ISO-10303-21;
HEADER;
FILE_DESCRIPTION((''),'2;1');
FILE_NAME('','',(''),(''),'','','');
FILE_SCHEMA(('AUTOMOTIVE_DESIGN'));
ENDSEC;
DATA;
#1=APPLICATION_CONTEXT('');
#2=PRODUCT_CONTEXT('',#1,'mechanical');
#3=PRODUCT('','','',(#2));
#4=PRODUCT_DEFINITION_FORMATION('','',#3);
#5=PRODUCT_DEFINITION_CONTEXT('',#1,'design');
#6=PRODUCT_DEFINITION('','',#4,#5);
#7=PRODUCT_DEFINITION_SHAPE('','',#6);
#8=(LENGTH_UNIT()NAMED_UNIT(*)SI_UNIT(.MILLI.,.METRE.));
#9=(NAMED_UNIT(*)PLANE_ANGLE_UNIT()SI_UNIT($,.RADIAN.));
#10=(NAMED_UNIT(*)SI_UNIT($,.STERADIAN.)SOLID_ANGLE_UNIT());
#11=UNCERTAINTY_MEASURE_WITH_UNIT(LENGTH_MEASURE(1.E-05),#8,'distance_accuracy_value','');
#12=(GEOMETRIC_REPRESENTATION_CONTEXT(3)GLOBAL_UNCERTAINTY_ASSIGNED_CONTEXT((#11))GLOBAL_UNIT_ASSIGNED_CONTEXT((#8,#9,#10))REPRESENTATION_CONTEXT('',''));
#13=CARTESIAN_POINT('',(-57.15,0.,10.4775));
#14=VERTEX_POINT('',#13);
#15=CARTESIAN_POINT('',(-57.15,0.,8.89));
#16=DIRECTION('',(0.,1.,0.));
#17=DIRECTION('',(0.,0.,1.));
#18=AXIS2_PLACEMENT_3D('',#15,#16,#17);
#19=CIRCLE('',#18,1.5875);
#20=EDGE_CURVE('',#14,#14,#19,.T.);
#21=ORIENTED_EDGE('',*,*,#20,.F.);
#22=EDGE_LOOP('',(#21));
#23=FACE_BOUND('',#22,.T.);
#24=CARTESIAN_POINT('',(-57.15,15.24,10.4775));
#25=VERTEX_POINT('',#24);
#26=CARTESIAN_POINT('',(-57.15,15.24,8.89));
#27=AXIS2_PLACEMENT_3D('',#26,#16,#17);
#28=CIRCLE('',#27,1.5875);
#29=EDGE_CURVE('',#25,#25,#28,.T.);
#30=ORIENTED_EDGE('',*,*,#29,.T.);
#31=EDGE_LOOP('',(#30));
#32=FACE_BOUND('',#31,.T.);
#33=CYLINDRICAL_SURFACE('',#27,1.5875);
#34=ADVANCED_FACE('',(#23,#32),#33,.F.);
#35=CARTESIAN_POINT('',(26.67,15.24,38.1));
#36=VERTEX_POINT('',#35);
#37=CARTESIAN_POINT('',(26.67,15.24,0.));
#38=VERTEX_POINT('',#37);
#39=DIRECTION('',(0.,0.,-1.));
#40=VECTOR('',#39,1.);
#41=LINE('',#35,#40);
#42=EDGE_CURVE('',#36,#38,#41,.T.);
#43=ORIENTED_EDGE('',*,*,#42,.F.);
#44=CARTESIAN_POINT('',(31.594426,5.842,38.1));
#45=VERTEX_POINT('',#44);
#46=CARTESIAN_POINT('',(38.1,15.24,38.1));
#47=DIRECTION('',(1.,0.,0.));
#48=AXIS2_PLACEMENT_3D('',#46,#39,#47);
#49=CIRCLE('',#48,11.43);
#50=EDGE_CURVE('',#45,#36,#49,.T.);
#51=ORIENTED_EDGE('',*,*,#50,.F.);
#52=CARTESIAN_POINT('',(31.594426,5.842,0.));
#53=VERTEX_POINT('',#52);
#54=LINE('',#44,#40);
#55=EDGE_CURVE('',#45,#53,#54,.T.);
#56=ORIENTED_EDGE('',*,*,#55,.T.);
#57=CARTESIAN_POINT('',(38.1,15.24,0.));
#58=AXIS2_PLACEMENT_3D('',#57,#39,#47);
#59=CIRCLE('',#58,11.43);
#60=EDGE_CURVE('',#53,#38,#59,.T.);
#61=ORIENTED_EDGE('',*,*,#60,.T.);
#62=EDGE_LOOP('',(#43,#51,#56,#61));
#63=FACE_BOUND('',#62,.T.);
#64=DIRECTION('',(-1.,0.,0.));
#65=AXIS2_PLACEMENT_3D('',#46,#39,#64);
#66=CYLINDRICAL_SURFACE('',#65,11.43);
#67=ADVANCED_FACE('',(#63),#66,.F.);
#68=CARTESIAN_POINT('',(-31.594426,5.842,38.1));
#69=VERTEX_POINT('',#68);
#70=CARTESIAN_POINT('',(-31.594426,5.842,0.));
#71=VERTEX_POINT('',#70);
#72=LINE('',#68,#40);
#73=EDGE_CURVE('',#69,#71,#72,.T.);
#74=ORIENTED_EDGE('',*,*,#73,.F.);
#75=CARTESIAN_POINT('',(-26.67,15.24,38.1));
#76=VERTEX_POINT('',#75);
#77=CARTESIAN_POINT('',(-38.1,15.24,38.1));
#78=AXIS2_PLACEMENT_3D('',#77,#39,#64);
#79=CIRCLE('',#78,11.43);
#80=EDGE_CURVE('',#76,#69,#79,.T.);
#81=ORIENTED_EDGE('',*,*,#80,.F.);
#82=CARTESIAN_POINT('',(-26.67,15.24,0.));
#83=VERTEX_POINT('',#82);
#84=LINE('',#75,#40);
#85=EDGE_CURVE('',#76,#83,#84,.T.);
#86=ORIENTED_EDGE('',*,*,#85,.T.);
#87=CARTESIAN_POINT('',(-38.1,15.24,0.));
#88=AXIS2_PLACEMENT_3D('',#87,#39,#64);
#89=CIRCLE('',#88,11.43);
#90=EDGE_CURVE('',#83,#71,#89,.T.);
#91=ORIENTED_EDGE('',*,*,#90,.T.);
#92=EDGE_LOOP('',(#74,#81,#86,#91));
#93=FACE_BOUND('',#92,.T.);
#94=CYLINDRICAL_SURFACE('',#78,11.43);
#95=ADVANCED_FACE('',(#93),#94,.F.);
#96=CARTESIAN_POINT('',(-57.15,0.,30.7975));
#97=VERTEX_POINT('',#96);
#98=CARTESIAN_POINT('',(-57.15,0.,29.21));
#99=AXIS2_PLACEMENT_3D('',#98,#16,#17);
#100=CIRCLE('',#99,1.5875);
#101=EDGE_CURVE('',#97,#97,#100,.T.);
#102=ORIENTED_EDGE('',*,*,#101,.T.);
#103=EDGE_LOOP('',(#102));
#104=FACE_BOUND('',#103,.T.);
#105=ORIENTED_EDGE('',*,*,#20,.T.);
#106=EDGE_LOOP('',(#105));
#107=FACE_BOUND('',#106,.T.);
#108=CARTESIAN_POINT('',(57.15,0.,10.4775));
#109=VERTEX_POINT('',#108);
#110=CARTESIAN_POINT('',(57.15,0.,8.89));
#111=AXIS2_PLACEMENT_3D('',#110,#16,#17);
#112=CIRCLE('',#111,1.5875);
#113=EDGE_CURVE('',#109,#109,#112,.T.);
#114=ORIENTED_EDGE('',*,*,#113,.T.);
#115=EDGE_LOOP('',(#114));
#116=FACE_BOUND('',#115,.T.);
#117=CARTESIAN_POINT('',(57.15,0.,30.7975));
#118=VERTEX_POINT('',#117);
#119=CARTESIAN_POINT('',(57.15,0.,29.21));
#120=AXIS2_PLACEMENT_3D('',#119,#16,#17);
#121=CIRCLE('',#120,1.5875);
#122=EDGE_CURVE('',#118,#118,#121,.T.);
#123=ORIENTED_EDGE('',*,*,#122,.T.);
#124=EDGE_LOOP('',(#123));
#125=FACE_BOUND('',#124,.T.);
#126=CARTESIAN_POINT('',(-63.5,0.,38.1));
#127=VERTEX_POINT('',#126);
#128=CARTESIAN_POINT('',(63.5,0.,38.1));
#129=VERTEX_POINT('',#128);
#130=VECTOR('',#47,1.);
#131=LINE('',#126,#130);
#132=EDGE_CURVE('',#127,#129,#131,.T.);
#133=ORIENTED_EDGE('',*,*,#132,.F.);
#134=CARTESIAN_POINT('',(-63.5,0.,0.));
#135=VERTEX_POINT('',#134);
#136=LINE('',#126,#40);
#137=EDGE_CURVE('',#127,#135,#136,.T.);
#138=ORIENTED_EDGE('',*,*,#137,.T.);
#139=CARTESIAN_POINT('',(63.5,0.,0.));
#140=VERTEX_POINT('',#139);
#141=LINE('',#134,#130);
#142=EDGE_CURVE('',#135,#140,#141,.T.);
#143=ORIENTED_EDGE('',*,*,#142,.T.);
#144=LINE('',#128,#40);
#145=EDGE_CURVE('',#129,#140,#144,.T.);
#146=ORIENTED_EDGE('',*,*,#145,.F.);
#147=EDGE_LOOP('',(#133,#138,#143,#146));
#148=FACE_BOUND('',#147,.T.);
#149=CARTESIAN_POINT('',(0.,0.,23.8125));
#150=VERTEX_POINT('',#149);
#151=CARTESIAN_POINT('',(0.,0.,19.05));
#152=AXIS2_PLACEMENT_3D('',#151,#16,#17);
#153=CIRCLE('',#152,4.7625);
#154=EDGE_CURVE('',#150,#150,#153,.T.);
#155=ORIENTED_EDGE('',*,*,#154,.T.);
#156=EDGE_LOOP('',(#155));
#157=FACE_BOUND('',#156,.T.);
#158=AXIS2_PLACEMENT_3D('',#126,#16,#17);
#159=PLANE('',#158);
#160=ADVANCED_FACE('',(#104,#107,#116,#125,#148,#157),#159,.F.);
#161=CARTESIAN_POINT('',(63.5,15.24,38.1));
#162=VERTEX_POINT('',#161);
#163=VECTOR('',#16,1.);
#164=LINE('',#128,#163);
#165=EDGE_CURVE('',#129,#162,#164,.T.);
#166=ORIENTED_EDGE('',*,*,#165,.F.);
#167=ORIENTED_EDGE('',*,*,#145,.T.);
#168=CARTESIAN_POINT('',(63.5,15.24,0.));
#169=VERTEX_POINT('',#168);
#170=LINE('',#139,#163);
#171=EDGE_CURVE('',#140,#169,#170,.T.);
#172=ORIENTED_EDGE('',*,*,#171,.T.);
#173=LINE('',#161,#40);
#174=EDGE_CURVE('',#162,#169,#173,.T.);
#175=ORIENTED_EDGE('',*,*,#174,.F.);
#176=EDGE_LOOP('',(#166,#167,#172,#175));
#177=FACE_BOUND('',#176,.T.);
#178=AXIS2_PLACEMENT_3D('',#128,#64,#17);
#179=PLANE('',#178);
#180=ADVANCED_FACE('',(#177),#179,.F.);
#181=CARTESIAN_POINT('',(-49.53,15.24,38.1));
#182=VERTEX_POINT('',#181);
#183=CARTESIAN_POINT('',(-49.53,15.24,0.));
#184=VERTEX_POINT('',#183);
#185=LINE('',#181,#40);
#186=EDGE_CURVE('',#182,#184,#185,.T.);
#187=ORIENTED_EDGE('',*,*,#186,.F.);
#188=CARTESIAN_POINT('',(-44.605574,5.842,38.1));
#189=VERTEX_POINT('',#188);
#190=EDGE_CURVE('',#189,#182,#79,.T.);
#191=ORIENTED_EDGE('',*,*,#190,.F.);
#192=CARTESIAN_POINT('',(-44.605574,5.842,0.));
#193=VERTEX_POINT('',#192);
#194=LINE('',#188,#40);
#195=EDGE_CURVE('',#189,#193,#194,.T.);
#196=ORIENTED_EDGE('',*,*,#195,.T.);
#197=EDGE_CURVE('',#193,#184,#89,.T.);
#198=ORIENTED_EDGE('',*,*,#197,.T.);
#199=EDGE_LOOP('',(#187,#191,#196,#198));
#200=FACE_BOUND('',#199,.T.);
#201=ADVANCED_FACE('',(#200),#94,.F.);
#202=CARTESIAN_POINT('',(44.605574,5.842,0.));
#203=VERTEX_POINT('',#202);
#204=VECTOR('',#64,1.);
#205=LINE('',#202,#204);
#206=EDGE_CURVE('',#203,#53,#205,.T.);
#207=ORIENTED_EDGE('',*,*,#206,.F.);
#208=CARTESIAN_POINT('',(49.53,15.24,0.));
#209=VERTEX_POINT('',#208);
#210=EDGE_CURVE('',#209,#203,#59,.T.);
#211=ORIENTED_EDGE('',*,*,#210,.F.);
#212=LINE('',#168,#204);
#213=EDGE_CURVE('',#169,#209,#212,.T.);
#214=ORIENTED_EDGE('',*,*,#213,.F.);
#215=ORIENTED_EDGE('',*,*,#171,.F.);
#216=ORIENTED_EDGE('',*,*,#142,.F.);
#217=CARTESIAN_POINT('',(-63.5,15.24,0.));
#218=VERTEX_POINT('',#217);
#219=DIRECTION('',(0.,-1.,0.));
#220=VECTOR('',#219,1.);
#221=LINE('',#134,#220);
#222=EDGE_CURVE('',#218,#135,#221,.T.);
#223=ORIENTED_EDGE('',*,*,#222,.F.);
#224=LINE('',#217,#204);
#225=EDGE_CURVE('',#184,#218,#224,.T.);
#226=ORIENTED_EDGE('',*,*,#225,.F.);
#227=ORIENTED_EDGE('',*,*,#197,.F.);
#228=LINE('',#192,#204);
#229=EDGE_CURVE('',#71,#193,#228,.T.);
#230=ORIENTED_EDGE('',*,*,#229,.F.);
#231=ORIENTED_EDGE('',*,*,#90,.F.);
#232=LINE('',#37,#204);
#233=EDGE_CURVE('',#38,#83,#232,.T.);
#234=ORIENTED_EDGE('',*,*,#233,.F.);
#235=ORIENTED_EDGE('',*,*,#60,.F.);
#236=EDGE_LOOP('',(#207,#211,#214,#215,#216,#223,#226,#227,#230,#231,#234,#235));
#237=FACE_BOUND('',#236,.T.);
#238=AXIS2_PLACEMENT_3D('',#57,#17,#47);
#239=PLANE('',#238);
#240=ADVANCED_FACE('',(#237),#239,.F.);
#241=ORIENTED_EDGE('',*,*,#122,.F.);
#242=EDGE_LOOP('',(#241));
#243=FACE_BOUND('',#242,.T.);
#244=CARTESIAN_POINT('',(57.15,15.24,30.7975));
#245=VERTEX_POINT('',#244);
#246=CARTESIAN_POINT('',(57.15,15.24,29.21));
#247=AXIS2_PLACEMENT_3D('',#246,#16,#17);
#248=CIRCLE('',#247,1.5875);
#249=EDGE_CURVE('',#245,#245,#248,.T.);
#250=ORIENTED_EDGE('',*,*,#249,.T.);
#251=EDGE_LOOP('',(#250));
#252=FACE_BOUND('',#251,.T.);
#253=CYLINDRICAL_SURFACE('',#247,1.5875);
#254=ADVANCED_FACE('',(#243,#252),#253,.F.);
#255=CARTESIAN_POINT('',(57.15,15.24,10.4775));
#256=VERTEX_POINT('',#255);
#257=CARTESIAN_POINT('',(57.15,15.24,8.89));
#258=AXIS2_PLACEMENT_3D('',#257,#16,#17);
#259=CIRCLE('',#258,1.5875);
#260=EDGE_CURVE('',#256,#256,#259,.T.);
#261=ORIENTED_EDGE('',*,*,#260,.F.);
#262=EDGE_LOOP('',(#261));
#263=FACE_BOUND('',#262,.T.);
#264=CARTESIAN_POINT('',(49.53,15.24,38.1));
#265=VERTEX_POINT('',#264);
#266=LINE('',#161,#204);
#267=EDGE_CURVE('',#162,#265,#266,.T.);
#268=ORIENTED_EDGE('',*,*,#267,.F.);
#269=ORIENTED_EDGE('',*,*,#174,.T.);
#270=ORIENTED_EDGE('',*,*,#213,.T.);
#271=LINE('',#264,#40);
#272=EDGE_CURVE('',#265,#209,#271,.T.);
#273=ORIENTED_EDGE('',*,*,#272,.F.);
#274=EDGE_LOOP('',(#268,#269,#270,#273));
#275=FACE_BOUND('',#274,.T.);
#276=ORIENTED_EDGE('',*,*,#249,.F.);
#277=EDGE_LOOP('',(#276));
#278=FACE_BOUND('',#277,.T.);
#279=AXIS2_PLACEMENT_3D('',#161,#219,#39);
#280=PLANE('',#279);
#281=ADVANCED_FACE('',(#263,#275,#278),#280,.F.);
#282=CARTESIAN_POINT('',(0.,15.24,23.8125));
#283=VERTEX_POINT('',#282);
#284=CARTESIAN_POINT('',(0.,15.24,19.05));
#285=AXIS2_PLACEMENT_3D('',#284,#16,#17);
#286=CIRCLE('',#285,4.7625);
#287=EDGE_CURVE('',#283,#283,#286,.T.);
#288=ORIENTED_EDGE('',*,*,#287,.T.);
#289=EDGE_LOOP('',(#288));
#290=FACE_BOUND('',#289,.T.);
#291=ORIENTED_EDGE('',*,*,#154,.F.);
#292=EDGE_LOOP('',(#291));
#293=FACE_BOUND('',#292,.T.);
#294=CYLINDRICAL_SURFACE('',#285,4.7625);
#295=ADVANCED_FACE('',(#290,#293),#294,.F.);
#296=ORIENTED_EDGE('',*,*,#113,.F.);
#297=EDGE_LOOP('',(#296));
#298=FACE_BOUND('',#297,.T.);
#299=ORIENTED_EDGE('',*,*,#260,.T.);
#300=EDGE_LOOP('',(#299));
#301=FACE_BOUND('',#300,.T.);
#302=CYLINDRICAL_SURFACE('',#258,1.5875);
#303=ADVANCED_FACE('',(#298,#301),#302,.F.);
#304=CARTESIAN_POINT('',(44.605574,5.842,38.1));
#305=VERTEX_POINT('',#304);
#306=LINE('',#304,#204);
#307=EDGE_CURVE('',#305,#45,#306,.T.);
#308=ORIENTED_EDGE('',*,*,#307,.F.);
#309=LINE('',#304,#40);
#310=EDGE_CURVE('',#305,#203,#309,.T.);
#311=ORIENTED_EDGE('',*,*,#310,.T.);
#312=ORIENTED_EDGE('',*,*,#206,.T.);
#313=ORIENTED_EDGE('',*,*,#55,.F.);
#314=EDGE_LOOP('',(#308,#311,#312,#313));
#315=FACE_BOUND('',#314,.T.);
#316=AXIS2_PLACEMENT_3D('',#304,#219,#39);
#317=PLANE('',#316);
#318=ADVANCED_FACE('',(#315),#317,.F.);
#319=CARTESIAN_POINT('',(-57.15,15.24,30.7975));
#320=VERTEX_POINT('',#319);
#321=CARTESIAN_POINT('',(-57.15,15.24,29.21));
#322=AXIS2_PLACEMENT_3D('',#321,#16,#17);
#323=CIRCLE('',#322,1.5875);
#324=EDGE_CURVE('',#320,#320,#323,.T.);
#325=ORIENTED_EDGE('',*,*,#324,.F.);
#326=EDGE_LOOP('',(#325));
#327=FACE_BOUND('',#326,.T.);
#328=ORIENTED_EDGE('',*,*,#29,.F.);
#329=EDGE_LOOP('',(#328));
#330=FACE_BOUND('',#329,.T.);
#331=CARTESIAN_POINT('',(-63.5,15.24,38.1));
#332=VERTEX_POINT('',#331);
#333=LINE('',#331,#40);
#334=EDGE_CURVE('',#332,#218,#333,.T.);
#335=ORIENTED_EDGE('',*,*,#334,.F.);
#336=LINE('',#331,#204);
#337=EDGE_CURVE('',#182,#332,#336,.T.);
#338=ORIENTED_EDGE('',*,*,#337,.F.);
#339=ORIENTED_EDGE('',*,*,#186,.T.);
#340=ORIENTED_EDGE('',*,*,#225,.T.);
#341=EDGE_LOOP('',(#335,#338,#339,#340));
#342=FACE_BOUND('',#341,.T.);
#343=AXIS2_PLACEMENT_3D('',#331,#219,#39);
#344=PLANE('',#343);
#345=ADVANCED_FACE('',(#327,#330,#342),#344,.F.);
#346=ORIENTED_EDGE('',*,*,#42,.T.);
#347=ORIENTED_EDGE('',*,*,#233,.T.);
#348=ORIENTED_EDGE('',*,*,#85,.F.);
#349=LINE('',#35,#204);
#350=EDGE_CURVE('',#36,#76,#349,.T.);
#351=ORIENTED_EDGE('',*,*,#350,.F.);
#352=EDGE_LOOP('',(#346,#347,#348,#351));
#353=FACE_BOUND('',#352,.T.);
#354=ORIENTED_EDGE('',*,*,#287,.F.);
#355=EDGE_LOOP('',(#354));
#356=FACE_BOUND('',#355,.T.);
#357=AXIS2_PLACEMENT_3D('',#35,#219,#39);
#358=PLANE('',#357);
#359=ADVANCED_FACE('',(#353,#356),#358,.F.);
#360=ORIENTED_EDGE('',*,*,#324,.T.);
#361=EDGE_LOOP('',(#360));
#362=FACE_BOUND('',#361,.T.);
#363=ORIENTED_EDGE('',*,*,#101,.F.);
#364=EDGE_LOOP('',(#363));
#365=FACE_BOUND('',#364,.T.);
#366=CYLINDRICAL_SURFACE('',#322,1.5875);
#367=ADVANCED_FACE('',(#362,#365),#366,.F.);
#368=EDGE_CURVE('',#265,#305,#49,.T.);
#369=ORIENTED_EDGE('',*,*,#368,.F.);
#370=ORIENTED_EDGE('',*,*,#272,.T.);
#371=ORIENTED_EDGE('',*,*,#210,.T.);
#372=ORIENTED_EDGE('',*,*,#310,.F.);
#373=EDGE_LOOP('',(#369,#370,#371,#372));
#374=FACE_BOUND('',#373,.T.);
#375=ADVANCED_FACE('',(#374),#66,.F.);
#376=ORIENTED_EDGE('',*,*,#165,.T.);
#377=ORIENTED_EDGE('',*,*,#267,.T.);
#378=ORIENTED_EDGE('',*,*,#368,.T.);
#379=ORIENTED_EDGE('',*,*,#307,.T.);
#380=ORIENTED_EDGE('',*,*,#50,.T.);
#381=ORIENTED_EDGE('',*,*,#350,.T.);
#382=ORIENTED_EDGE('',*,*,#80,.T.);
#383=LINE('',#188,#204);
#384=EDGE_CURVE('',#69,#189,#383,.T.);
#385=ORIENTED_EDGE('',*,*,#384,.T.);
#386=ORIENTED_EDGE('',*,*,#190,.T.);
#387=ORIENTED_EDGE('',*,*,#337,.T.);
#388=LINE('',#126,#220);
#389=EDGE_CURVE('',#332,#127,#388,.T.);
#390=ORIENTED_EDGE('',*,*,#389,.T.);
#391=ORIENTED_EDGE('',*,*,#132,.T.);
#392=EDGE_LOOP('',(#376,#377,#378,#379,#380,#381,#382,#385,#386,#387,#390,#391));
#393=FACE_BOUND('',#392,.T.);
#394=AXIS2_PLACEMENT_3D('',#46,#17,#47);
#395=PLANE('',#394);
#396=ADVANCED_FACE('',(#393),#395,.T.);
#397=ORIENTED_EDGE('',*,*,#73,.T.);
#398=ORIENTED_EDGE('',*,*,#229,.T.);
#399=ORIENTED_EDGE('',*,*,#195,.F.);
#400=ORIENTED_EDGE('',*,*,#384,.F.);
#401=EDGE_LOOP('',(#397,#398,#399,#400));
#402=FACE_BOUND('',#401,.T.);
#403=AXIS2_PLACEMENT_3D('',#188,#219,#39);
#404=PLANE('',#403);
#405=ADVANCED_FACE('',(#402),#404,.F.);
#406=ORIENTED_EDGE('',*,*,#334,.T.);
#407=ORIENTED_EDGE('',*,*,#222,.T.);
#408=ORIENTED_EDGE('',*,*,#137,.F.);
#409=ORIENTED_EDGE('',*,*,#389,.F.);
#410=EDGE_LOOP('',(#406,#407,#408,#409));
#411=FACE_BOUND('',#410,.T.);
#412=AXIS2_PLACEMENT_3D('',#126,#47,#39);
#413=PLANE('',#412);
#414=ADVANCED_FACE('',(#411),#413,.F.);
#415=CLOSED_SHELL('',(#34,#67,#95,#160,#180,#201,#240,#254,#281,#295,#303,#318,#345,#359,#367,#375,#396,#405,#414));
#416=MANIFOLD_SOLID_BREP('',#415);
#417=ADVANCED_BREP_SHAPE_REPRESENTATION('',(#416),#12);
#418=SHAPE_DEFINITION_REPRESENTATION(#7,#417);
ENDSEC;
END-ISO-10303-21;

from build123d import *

# Parameters (mm, degrees)
BOSS_EXTRUDE1_DEPTH  = 38.1
HOLE1_D              = 9.525
HOLE1_DEPTH          = 101.6
HOLE2_D              = 3.175
HOLE2_DEPTH          = 101.6
LPATTERN1_COUNT      = 2
LPATTERN1_PITCH      = 20.32
LPATTERN1_COUNT_DIR2 = 2
LPATTERN1_PITCH_DIR2 = 114.3


with BuildPart() as part:
    # Sketch1 → Boss-Extrude1 (new body)
    with BuildSketch(Plane.XY):
        with BuildLine():
            Line((-63.5, 0), (63.5, 0))
            Line((63.5, 0), (63.5, 15.24))
            Line((63.5, 15.24), (49.53, 15.24))
            ThreePointArc((49.53, 15.24), (48.224317592, 9.934993562), (44.605574225, 5.842))
            Line((44.605574225, 5.842), (31.594425775, 5.842))
            ThreePointArc((31.594425775, 5.842), (27.975682408, 9.934993562), (26.67, 15.24))
            Line((26.67, 15.24), (-26.67, 15.24))
            ThreePointArc((-26.67, 15.24), (-27.975682408, 9.934993562), (-31.594425775, 5.842))
            Line((-31.594425775, 5.842), (-44.605574225, 5.842))
            ThreePointArc((-44.605574225, 5.842), (-48.224317592, 9.934993562), (-49.53, 15.24))
            Line((-49.53, 15.24), (-63.5, 15.24))
            Line((-63.5, 15.24), (-63.5, 0))
        make_face()
    extrude(amount=BOSS_EXTRUDE1_DEPTH)

    # Hole1
    with Locations(Plane(origin=(0, 15.24, 0), x_dir=(1, 0, 0), z_dir=(0, 1, 0))):
        with Locations((0, -19.05)):
            Hole(HOLE1_D / 2, depth=HOLE1_DEPTH)

    # Hole2
    with Locations(Plane(origin=(0, 15.24, 0), x_dir=(1, 0, 0), z_dir=(0, 1, 0))):
        with Locations((-57.15, -8.89)):
            hole2 = Hole(HOLE2_D / 2, depth=HOLE2_DEPTH)

    # LPattern1: Hole2 2 × 2
    with Locations(*[(j * LPATTERN1_PITCH_DIR2, 0, i * LPATTERN1_PITCH) for i in range(LPATTERN1_COUNT) for j in range(LPATTERN1_COUNT_DIR2) if (i, j) != (0, 0)]):
        add(hole2, mode=Mode.SUBTRACT)


solid = part.part
